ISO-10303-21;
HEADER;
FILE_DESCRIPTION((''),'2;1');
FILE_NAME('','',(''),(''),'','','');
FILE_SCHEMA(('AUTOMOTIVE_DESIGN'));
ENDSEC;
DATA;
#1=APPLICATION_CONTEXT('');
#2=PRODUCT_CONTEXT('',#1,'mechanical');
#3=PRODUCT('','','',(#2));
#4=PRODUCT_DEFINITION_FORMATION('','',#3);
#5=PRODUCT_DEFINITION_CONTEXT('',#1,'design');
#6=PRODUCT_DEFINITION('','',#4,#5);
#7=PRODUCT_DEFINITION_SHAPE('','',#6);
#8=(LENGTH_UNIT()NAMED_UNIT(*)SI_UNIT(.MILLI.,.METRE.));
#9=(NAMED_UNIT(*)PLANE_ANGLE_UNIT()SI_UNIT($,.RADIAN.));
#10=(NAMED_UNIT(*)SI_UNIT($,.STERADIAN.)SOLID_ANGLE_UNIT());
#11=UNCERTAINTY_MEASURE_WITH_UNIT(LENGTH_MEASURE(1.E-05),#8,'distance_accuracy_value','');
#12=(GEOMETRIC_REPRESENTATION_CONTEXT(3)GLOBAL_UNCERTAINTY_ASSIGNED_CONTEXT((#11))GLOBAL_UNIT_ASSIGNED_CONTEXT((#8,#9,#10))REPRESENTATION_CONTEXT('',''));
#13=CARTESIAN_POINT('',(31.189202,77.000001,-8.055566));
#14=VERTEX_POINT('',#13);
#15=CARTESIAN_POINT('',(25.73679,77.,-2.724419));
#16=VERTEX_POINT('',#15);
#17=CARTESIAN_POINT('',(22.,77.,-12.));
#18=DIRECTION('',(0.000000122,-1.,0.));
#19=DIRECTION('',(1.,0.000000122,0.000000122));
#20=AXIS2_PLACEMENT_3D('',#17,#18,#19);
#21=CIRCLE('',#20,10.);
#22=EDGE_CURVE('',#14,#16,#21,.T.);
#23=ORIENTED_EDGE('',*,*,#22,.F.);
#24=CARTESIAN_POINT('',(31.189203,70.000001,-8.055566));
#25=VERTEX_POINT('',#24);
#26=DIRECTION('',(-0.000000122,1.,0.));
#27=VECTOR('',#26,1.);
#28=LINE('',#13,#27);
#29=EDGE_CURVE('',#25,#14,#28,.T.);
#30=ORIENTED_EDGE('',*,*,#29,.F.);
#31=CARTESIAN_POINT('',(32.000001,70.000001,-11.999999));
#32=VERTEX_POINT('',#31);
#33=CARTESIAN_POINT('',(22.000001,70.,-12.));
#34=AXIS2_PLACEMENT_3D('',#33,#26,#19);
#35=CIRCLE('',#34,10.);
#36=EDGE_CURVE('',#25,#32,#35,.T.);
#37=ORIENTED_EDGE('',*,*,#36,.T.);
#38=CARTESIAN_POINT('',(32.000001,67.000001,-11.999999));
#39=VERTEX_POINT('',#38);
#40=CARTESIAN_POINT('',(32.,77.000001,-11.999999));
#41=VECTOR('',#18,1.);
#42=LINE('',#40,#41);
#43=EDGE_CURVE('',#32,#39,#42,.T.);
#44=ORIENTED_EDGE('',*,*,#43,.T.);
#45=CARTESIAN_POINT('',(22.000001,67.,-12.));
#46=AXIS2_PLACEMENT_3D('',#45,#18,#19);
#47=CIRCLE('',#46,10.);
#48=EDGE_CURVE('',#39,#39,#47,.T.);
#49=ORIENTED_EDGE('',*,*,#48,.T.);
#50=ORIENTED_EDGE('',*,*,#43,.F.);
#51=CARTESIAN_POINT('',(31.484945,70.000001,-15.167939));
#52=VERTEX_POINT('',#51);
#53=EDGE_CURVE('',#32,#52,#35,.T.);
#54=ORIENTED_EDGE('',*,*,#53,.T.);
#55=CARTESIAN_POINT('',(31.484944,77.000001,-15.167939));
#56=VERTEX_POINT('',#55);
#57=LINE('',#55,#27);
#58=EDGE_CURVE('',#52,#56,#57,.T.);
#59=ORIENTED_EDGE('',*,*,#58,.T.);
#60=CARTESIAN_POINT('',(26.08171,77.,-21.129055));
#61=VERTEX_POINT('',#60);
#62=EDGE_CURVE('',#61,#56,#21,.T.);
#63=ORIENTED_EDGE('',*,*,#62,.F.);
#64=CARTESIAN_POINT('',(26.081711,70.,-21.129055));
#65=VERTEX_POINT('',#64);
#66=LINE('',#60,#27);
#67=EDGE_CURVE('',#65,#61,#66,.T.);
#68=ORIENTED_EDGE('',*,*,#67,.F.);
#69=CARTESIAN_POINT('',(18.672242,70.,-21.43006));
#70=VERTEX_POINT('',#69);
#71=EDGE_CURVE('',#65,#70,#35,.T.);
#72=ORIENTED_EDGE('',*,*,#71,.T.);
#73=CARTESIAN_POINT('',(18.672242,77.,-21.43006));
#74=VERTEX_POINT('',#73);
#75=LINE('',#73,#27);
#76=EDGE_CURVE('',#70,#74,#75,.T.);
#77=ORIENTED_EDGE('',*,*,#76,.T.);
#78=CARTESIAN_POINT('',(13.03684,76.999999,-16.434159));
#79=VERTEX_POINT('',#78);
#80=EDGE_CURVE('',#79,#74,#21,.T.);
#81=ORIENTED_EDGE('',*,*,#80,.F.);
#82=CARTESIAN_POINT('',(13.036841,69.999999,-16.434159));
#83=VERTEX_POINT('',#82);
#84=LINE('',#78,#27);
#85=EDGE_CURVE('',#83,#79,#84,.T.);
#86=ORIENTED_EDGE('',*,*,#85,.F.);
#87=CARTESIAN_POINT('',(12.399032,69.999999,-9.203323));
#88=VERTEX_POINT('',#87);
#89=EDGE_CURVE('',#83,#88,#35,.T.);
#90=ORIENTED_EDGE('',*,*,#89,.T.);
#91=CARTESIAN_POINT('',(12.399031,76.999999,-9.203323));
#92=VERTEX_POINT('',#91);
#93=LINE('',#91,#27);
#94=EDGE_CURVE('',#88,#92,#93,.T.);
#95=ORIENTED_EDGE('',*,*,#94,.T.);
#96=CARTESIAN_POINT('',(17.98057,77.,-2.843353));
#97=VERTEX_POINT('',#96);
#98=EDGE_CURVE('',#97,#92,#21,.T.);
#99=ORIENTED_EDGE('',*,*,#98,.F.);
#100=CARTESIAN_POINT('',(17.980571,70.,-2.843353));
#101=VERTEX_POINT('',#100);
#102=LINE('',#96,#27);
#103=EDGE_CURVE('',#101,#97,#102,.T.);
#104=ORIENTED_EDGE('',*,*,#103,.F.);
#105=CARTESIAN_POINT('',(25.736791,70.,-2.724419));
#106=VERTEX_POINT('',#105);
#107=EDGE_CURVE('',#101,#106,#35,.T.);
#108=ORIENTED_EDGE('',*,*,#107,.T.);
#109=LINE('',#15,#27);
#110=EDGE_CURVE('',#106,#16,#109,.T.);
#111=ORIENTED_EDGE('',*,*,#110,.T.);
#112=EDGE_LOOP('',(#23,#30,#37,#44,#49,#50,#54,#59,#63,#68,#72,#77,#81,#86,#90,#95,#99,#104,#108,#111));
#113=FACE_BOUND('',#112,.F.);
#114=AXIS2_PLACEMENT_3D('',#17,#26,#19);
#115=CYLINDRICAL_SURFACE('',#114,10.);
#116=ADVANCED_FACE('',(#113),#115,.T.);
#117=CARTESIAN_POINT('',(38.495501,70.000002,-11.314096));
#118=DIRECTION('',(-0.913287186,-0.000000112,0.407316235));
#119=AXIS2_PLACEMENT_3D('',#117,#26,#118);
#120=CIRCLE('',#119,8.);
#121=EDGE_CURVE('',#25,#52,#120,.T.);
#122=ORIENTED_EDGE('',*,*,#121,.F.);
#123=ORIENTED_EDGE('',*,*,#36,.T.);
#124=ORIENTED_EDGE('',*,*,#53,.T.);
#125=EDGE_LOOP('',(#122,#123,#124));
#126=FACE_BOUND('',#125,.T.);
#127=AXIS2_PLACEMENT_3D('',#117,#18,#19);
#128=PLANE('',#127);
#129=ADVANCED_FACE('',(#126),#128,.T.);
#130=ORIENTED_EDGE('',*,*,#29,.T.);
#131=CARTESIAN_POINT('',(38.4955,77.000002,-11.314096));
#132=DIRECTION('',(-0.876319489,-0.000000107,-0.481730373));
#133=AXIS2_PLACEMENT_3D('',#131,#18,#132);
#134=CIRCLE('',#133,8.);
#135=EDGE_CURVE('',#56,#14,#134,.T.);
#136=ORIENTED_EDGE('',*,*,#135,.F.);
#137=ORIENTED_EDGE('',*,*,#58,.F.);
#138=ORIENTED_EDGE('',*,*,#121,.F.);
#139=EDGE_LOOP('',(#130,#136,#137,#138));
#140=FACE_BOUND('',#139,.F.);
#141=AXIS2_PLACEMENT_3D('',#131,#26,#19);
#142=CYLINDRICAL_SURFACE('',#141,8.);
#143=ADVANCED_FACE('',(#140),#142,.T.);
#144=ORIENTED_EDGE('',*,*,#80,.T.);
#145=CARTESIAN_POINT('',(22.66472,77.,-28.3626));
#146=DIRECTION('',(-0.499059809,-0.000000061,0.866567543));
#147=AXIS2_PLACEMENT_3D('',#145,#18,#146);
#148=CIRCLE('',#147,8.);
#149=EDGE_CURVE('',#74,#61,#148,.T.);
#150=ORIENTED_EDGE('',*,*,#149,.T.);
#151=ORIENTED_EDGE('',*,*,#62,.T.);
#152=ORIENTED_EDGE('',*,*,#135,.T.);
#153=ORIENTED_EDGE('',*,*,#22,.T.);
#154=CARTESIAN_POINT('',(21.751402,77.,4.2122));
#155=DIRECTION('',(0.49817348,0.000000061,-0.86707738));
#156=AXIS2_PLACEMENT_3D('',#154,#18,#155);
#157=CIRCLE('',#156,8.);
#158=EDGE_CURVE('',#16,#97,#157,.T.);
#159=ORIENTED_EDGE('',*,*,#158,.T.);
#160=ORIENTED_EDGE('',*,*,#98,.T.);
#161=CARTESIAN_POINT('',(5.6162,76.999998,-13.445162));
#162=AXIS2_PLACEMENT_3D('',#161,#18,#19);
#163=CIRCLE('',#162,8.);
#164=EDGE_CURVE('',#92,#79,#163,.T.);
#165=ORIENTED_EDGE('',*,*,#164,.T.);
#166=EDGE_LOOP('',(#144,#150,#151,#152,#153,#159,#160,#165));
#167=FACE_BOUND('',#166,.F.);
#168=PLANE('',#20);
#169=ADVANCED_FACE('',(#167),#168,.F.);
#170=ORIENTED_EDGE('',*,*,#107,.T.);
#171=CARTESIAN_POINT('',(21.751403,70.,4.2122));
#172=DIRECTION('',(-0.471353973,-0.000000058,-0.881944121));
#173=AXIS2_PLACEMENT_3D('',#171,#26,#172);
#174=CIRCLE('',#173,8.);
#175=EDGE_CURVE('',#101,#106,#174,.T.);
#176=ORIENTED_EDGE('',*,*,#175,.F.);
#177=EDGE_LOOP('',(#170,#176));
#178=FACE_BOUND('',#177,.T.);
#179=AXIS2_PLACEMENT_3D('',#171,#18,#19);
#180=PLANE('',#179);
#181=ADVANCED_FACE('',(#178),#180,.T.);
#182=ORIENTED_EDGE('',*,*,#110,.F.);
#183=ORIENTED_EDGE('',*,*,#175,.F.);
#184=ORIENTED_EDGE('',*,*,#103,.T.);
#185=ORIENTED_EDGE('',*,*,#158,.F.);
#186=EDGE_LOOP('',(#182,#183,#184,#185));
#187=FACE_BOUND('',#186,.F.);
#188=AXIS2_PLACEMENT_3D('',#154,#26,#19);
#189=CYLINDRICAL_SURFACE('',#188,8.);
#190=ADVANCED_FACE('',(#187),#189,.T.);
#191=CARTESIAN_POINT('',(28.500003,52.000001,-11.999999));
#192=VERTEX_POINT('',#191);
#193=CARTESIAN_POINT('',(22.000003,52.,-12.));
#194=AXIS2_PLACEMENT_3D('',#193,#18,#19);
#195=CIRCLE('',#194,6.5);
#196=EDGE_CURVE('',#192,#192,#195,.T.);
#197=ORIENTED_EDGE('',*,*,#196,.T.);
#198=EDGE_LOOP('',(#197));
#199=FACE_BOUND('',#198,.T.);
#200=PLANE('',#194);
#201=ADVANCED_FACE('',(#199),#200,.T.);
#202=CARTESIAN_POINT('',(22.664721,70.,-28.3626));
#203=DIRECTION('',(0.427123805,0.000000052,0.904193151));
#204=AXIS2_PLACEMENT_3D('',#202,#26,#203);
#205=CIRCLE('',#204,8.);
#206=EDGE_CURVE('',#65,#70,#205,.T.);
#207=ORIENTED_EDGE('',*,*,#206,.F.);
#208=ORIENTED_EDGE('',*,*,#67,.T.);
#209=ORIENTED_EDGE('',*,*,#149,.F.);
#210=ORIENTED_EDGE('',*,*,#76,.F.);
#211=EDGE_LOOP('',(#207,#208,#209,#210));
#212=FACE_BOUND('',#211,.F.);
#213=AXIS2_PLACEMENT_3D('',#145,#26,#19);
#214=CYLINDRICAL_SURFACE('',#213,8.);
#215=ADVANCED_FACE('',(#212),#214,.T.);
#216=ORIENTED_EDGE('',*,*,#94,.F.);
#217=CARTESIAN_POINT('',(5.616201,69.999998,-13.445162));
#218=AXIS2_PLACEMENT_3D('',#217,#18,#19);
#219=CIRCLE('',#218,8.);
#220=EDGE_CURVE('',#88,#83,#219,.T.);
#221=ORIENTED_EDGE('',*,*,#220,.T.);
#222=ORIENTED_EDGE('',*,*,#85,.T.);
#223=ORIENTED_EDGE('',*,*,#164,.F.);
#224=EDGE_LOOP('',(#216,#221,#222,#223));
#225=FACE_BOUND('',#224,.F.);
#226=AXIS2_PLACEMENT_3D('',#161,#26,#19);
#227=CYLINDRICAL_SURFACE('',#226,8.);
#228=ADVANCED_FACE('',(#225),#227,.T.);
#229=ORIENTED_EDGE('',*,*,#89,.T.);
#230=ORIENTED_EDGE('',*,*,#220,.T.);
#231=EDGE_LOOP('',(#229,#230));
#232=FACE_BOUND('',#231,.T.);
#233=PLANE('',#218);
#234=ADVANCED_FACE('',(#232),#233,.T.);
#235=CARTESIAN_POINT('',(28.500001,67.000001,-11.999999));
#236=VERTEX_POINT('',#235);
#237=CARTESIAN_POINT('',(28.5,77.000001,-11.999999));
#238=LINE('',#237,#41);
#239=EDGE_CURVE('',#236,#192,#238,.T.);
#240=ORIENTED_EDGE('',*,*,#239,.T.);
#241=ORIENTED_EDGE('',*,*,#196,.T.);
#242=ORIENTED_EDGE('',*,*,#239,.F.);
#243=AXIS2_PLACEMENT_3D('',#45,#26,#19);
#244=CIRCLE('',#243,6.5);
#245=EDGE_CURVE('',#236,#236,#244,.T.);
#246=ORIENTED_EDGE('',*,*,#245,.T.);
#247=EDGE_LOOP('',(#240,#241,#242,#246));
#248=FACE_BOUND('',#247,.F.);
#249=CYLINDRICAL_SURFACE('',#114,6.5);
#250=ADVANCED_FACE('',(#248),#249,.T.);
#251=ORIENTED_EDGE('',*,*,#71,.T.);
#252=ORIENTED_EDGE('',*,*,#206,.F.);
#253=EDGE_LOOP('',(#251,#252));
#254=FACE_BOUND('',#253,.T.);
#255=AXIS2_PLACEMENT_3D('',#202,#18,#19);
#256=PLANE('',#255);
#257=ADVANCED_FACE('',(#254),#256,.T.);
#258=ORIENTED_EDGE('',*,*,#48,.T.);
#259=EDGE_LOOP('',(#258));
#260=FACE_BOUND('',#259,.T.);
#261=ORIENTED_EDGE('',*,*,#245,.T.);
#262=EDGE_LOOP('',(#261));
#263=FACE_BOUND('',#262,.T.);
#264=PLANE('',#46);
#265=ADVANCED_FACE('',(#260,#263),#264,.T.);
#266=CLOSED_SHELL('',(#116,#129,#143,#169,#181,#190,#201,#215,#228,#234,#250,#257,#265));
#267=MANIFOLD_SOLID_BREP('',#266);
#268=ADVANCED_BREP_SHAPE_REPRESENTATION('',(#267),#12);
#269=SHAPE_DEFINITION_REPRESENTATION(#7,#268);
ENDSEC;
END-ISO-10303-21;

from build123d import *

# Parameters (mm, degrees)
CYLINDER011_R          = 8
CYLINDER011_DEPTH      = 7
CYLINDER012_R          = 8
CYLINDER012_DEPTH      = 7
CYLINDER010_R          = 8
CYLINDER010_DEPTH      = 7
CYLINDER009_R          = 8
CYLINDER009_DEPTH      = 7
CYLINDER005_R          = 6.5
CYLINDER005_DEPTH      = 25
CYLINDER006_R          = 10
CYLINDER006_DEPTH      = 10
FUSION_ROLL_ANGLE      = 90
FUSION_PITCH_ANGLE     = -7e-06
FUSION_PLACEMENT_ANGLE = 7e-06


with BuildPart() as cylinder011:
    # Cylinder011 → Cylinder011 (new body)
    with BuildSketch(Plane(origin=(16.4955, 0.685902, 0), x_dir=(1, 0, 0), z_dir=(0, 0, 1))):
        Circle(CYLINDER011_R)
    extrude(amount=CYLINDER011_DEPTH)


with BuildPart() as cylinder012:
    # Cylinder012 → Cylinder012 (new body)
    with BuildSketch(Plane(origin=(-16.3838, -1.44516, 0), x_dir=(1, 0, 0), z_dir=(0, 0, 1))):
        Circle(CYLINDER012_R)
    extrude(amount=CYLINDER012_DEPTH)


with BuildPart() as cylinder010:
    # Cylinder010 → Cylinder010 (new body)
    with BuildSketch(Plane(origin=(0.664718, -16.3626, 0), x_dir=(1, 0, 0), z_dir=(0, 0, 1))):
        Circle(CYLINDER010_R)
    extrude(amount=CYLINDER010_DEPTH)


with BuildPart() as cylinder009:
    # Cylinder009 → Cylinder009 (new body)
    with BuildSketch(Plane(origin=(-0.248596, 16.2122, 0), x_dir=(1, 0, 0), z_dir=(0, 0, 1))):
        Circle(CYLINDER009_R)
    extrude(amount=CYLINDER009_DEPTH)


with BuildPart() as cylinder005:
    # Cylinder005 → Cylinder005 (new body)
    with BuildSketch(Plane.XY):
        Circle(CYLINDER005_R)
    extrude(amount=CYLINDER005_DEPTH)


with BuildPart() as fusion:
    # Cylinder006 → Cylinder006 (new body)
    with BuildSketch(Plane.XY):
        Circle(CYLINDER006_R)
    extrude(amount=CYLINDER006_DEPTH)

    # Fusion: union Cylinder011, Cylinder012, Cylinder010, Cylinder009, Cylinder005
    add(cylinder011.part)
    add(cylinder012.part)
    add(cylinder010.part)
    add(cylinder009.part)
    add(cylinder005.part)


with BuildPart() as fusion_1:
    # Fusion roll: moved
    add(fusion.part.rotate(Axis((0, 0, 0), (1, 0, 0)), FUSION_ROLL_ANGLE))


with BuildPart() as fusion_2:
    # Fusion pitch: moved
    add(fusion_1.part.rotate(Axis((0, 0, 0), (0, 1, 0)), FUSION_PITCH_ANGLE))


with BuildPart() as fusion_3:
    # Fusion placement: moved
    add(fusion_2.part.moved(Location((22, 77, -12))).rotate(Axis((22, 77, -12), (0, 0, 1)), FUSION_PLACEMENT_ANGLE))


solid = fusion_3.part
